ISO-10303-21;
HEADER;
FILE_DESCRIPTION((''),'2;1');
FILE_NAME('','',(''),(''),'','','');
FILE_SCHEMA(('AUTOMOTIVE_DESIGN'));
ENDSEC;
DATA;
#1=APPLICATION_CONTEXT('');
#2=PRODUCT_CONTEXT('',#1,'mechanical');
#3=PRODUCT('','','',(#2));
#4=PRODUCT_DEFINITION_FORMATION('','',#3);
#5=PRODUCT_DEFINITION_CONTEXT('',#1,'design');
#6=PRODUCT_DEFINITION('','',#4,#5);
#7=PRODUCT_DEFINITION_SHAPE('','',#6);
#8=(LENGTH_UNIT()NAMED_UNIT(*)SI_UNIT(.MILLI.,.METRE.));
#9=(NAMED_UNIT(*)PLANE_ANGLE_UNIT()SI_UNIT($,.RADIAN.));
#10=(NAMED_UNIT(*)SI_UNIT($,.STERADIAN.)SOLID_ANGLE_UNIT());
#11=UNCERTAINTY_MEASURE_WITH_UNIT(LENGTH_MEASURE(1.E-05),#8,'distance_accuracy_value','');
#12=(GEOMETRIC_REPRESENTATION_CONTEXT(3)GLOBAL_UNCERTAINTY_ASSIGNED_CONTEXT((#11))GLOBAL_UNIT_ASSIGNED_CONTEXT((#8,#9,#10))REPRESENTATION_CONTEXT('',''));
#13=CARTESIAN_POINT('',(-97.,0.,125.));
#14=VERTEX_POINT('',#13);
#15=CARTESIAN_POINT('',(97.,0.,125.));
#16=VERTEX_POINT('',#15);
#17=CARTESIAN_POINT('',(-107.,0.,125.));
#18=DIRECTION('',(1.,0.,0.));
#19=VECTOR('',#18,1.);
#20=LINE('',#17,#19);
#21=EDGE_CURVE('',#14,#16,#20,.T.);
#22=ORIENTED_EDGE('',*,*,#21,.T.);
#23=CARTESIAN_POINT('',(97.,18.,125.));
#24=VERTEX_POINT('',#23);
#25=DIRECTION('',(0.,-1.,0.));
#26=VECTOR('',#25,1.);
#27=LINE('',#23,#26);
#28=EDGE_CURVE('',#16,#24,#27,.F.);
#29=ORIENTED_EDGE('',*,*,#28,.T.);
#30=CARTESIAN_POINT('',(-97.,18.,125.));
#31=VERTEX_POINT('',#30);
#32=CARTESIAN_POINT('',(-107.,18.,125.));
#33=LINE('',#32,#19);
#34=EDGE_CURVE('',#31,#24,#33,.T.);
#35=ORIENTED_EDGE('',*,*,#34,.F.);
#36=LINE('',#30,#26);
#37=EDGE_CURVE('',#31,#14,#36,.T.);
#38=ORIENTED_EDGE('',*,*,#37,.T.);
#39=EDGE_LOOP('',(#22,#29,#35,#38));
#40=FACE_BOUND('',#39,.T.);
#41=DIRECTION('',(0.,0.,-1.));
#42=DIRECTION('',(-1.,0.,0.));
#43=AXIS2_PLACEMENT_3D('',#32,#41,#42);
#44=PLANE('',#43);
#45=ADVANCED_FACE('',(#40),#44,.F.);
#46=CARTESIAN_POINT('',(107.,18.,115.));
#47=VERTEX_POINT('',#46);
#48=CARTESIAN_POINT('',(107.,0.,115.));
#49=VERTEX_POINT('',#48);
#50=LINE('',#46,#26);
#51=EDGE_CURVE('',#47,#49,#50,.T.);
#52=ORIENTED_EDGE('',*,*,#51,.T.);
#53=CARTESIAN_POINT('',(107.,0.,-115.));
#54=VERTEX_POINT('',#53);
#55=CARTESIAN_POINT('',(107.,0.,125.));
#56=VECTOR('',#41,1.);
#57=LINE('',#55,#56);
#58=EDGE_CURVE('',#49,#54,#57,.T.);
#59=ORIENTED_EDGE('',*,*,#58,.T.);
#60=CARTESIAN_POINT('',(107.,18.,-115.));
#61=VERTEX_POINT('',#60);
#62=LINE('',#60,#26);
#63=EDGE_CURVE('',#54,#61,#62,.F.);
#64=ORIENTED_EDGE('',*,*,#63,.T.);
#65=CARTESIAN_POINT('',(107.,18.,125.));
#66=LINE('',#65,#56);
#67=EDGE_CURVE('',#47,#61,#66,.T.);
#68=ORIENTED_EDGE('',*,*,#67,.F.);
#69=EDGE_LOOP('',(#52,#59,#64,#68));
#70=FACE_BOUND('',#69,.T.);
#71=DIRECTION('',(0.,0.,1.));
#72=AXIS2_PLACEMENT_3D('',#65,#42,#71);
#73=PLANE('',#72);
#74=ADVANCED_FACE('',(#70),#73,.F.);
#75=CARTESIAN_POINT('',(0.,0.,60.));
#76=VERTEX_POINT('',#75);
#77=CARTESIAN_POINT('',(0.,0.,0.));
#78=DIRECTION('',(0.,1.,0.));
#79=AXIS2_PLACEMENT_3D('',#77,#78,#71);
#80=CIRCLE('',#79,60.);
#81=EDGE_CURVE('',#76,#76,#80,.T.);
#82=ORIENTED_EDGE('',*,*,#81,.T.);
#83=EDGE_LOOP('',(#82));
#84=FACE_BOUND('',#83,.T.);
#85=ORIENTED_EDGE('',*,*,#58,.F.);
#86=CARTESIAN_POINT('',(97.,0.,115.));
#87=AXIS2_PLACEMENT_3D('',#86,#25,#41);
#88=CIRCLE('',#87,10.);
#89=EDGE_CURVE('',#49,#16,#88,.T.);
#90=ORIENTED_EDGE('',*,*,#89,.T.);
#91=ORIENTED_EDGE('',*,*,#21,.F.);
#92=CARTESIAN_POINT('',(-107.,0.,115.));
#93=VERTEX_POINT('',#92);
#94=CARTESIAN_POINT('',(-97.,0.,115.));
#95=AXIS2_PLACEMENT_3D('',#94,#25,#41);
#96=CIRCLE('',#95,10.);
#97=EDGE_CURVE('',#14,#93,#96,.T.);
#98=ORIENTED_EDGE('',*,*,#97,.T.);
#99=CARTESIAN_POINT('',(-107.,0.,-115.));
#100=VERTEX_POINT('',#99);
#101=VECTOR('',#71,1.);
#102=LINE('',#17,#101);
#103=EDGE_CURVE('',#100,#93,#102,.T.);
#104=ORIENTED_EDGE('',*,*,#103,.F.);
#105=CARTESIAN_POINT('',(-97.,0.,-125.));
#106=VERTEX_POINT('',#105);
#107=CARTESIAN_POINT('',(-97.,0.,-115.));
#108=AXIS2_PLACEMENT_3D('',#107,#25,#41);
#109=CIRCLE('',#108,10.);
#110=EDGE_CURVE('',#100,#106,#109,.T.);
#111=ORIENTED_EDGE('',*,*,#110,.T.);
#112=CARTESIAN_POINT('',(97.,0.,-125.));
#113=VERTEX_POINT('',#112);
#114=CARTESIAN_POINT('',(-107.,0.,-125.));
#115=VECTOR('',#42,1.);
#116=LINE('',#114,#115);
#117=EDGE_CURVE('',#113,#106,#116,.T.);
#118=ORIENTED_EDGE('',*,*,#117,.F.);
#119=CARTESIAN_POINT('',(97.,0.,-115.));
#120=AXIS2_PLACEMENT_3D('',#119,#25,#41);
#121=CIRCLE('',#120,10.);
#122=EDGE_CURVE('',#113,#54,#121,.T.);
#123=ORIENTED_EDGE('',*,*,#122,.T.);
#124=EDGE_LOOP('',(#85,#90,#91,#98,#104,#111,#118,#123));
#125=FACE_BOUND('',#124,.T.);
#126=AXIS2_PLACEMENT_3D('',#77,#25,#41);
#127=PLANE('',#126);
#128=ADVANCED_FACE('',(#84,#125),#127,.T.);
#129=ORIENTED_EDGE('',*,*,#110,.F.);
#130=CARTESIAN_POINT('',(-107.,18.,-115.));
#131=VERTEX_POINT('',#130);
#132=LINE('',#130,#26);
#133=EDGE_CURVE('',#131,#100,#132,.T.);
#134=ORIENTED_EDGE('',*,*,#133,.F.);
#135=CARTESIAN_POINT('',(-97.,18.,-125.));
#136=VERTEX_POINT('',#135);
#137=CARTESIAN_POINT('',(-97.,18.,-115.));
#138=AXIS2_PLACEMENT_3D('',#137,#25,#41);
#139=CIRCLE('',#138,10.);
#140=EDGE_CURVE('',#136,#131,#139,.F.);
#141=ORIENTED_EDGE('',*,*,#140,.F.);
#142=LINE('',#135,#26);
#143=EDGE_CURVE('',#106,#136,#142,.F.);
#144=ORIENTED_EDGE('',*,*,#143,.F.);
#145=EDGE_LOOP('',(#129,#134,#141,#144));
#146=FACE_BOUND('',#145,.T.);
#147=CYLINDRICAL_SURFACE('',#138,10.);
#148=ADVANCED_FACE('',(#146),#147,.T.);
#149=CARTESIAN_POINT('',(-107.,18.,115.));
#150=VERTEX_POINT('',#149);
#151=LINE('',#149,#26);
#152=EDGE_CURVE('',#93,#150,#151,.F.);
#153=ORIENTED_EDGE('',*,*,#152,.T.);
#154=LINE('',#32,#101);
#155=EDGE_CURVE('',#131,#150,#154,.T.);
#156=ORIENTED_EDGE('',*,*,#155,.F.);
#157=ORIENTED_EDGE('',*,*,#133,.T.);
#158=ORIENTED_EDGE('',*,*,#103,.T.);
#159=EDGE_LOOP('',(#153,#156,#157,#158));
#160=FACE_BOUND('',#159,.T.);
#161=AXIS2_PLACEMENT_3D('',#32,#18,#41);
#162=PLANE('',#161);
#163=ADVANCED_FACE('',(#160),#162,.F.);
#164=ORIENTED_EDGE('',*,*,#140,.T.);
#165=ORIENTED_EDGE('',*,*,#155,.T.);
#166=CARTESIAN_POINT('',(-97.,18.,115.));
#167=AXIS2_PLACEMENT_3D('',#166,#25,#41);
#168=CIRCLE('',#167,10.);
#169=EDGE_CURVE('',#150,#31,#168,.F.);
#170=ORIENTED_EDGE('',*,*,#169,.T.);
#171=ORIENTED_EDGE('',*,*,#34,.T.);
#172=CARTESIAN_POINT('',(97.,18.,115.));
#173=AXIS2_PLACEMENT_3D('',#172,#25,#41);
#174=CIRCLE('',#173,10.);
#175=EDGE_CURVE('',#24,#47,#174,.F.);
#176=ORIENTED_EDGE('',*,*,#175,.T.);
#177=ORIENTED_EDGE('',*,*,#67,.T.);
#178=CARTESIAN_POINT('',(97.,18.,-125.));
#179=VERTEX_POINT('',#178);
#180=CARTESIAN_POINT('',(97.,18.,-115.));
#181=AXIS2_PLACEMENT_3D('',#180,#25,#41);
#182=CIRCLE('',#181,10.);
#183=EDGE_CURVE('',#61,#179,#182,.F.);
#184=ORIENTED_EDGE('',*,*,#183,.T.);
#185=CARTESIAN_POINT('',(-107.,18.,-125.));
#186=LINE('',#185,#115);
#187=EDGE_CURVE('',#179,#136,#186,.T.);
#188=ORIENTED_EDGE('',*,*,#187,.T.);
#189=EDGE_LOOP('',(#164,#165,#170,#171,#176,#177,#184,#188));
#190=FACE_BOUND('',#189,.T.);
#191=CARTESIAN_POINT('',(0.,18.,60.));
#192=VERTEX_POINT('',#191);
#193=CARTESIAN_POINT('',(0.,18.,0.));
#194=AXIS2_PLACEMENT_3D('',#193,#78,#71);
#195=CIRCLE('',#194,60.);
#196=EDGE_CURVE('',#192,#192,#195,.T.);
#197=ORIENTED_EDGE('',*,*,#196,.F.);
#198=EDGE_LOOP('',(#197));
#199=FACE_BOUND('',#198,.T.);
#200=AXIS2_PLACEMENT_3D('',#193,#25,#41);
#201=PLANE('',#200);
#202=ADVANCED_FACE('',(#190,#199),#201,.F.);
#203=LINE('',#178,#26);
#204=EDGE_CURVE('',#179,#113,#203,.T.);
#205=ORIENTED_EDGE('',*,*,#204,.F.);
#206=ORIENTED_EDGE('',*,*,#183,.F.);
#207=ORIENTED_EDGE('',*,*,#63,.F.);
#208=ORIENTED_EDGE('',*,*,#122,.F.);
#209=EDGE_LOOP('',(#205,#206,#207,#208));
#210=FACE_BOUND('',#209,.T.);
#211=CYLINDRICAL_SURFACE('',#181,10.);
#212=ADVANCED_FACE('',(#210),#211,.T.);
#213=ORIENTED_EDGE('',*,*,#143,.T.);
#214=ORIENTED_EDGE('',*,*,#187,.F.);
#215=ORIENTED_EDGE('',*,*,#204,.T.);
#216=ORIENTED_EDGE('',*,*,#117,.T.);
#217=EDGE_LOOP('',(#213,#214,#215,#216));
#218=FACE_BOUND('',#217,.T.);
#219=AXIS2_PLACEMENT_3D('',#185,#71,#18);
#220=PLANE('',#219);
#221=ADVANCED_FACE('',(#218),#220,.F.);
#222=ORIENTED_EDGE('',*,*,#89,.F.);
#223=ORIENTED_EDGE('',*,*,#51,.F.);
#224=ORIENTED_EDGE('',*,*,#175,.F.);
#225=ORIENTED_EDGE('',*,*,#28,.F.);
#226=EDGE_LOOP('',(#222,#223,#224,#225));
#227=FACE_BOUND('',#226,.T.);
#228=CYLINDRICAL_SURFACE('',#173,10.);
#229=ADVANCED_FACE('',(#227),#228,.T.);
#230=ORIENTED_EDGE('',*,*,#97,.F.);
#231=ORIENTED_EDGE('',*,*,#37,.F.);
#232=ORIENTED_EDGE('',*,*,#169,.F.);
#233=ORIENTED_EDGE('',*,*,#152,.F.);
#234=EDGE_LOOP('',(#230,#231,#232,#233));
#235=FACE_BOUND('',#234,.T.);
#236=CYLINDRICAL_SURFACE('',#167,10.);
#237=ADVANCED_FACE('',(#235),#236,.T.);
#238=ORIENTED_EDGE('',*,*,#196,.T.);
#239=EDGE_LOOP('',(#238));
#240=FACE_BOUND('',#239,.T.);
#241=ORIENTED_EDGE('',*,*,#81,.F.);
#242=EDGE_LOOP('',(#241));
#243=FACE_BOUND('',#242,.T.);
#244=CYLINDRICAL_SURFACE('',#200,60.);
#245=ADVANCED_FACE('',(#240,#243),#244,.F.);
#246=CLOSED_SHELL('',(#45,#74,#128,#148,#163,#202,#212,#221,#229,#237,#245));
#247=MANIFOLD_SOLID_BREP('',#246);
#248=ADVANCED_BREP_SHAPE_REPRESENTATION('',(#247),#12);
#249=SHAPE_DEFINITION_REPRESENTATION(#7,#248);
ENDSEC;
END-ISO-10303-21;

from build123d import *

# Parameters (mm, degrees)
SKETCH_1_W      = 214
SKETCH_1_H      = 250
SKETCH_1_R      = 60
EXTRUDE_1_DEPTH = 18
FILLET_1_R      = 10


with BuildPart() as part:
    # 草图1 → 凸台-拉伸1 (new body)
    with BuildSketch(Plane(origin=(0, 0, 0), x_dir=(1, 0, 0), z_dir=(0, 1, 0))):
        Rectangle(SKETCH_1_W, SKETCH_1_H)
        with Locations(Location((0, 0, 0), (0, 0, 270))):
            Circle(SKETCH_1_R, mode=Mode.SUBTRACT)
    extrude(amount=EXTRUDE_1_DEPTH)

    # 圆角1
    fillet_1_edges = [part.edges().sort_by_distance(p)[0] for p in [
        (-107, 9, -125),
        (107, 9, -125),
        (107, 9, 125),
        (-107, 9, 125),
    ]]
    fillet(fillet_1_edges, radius=FILLET_1_R)


solid = part.part
